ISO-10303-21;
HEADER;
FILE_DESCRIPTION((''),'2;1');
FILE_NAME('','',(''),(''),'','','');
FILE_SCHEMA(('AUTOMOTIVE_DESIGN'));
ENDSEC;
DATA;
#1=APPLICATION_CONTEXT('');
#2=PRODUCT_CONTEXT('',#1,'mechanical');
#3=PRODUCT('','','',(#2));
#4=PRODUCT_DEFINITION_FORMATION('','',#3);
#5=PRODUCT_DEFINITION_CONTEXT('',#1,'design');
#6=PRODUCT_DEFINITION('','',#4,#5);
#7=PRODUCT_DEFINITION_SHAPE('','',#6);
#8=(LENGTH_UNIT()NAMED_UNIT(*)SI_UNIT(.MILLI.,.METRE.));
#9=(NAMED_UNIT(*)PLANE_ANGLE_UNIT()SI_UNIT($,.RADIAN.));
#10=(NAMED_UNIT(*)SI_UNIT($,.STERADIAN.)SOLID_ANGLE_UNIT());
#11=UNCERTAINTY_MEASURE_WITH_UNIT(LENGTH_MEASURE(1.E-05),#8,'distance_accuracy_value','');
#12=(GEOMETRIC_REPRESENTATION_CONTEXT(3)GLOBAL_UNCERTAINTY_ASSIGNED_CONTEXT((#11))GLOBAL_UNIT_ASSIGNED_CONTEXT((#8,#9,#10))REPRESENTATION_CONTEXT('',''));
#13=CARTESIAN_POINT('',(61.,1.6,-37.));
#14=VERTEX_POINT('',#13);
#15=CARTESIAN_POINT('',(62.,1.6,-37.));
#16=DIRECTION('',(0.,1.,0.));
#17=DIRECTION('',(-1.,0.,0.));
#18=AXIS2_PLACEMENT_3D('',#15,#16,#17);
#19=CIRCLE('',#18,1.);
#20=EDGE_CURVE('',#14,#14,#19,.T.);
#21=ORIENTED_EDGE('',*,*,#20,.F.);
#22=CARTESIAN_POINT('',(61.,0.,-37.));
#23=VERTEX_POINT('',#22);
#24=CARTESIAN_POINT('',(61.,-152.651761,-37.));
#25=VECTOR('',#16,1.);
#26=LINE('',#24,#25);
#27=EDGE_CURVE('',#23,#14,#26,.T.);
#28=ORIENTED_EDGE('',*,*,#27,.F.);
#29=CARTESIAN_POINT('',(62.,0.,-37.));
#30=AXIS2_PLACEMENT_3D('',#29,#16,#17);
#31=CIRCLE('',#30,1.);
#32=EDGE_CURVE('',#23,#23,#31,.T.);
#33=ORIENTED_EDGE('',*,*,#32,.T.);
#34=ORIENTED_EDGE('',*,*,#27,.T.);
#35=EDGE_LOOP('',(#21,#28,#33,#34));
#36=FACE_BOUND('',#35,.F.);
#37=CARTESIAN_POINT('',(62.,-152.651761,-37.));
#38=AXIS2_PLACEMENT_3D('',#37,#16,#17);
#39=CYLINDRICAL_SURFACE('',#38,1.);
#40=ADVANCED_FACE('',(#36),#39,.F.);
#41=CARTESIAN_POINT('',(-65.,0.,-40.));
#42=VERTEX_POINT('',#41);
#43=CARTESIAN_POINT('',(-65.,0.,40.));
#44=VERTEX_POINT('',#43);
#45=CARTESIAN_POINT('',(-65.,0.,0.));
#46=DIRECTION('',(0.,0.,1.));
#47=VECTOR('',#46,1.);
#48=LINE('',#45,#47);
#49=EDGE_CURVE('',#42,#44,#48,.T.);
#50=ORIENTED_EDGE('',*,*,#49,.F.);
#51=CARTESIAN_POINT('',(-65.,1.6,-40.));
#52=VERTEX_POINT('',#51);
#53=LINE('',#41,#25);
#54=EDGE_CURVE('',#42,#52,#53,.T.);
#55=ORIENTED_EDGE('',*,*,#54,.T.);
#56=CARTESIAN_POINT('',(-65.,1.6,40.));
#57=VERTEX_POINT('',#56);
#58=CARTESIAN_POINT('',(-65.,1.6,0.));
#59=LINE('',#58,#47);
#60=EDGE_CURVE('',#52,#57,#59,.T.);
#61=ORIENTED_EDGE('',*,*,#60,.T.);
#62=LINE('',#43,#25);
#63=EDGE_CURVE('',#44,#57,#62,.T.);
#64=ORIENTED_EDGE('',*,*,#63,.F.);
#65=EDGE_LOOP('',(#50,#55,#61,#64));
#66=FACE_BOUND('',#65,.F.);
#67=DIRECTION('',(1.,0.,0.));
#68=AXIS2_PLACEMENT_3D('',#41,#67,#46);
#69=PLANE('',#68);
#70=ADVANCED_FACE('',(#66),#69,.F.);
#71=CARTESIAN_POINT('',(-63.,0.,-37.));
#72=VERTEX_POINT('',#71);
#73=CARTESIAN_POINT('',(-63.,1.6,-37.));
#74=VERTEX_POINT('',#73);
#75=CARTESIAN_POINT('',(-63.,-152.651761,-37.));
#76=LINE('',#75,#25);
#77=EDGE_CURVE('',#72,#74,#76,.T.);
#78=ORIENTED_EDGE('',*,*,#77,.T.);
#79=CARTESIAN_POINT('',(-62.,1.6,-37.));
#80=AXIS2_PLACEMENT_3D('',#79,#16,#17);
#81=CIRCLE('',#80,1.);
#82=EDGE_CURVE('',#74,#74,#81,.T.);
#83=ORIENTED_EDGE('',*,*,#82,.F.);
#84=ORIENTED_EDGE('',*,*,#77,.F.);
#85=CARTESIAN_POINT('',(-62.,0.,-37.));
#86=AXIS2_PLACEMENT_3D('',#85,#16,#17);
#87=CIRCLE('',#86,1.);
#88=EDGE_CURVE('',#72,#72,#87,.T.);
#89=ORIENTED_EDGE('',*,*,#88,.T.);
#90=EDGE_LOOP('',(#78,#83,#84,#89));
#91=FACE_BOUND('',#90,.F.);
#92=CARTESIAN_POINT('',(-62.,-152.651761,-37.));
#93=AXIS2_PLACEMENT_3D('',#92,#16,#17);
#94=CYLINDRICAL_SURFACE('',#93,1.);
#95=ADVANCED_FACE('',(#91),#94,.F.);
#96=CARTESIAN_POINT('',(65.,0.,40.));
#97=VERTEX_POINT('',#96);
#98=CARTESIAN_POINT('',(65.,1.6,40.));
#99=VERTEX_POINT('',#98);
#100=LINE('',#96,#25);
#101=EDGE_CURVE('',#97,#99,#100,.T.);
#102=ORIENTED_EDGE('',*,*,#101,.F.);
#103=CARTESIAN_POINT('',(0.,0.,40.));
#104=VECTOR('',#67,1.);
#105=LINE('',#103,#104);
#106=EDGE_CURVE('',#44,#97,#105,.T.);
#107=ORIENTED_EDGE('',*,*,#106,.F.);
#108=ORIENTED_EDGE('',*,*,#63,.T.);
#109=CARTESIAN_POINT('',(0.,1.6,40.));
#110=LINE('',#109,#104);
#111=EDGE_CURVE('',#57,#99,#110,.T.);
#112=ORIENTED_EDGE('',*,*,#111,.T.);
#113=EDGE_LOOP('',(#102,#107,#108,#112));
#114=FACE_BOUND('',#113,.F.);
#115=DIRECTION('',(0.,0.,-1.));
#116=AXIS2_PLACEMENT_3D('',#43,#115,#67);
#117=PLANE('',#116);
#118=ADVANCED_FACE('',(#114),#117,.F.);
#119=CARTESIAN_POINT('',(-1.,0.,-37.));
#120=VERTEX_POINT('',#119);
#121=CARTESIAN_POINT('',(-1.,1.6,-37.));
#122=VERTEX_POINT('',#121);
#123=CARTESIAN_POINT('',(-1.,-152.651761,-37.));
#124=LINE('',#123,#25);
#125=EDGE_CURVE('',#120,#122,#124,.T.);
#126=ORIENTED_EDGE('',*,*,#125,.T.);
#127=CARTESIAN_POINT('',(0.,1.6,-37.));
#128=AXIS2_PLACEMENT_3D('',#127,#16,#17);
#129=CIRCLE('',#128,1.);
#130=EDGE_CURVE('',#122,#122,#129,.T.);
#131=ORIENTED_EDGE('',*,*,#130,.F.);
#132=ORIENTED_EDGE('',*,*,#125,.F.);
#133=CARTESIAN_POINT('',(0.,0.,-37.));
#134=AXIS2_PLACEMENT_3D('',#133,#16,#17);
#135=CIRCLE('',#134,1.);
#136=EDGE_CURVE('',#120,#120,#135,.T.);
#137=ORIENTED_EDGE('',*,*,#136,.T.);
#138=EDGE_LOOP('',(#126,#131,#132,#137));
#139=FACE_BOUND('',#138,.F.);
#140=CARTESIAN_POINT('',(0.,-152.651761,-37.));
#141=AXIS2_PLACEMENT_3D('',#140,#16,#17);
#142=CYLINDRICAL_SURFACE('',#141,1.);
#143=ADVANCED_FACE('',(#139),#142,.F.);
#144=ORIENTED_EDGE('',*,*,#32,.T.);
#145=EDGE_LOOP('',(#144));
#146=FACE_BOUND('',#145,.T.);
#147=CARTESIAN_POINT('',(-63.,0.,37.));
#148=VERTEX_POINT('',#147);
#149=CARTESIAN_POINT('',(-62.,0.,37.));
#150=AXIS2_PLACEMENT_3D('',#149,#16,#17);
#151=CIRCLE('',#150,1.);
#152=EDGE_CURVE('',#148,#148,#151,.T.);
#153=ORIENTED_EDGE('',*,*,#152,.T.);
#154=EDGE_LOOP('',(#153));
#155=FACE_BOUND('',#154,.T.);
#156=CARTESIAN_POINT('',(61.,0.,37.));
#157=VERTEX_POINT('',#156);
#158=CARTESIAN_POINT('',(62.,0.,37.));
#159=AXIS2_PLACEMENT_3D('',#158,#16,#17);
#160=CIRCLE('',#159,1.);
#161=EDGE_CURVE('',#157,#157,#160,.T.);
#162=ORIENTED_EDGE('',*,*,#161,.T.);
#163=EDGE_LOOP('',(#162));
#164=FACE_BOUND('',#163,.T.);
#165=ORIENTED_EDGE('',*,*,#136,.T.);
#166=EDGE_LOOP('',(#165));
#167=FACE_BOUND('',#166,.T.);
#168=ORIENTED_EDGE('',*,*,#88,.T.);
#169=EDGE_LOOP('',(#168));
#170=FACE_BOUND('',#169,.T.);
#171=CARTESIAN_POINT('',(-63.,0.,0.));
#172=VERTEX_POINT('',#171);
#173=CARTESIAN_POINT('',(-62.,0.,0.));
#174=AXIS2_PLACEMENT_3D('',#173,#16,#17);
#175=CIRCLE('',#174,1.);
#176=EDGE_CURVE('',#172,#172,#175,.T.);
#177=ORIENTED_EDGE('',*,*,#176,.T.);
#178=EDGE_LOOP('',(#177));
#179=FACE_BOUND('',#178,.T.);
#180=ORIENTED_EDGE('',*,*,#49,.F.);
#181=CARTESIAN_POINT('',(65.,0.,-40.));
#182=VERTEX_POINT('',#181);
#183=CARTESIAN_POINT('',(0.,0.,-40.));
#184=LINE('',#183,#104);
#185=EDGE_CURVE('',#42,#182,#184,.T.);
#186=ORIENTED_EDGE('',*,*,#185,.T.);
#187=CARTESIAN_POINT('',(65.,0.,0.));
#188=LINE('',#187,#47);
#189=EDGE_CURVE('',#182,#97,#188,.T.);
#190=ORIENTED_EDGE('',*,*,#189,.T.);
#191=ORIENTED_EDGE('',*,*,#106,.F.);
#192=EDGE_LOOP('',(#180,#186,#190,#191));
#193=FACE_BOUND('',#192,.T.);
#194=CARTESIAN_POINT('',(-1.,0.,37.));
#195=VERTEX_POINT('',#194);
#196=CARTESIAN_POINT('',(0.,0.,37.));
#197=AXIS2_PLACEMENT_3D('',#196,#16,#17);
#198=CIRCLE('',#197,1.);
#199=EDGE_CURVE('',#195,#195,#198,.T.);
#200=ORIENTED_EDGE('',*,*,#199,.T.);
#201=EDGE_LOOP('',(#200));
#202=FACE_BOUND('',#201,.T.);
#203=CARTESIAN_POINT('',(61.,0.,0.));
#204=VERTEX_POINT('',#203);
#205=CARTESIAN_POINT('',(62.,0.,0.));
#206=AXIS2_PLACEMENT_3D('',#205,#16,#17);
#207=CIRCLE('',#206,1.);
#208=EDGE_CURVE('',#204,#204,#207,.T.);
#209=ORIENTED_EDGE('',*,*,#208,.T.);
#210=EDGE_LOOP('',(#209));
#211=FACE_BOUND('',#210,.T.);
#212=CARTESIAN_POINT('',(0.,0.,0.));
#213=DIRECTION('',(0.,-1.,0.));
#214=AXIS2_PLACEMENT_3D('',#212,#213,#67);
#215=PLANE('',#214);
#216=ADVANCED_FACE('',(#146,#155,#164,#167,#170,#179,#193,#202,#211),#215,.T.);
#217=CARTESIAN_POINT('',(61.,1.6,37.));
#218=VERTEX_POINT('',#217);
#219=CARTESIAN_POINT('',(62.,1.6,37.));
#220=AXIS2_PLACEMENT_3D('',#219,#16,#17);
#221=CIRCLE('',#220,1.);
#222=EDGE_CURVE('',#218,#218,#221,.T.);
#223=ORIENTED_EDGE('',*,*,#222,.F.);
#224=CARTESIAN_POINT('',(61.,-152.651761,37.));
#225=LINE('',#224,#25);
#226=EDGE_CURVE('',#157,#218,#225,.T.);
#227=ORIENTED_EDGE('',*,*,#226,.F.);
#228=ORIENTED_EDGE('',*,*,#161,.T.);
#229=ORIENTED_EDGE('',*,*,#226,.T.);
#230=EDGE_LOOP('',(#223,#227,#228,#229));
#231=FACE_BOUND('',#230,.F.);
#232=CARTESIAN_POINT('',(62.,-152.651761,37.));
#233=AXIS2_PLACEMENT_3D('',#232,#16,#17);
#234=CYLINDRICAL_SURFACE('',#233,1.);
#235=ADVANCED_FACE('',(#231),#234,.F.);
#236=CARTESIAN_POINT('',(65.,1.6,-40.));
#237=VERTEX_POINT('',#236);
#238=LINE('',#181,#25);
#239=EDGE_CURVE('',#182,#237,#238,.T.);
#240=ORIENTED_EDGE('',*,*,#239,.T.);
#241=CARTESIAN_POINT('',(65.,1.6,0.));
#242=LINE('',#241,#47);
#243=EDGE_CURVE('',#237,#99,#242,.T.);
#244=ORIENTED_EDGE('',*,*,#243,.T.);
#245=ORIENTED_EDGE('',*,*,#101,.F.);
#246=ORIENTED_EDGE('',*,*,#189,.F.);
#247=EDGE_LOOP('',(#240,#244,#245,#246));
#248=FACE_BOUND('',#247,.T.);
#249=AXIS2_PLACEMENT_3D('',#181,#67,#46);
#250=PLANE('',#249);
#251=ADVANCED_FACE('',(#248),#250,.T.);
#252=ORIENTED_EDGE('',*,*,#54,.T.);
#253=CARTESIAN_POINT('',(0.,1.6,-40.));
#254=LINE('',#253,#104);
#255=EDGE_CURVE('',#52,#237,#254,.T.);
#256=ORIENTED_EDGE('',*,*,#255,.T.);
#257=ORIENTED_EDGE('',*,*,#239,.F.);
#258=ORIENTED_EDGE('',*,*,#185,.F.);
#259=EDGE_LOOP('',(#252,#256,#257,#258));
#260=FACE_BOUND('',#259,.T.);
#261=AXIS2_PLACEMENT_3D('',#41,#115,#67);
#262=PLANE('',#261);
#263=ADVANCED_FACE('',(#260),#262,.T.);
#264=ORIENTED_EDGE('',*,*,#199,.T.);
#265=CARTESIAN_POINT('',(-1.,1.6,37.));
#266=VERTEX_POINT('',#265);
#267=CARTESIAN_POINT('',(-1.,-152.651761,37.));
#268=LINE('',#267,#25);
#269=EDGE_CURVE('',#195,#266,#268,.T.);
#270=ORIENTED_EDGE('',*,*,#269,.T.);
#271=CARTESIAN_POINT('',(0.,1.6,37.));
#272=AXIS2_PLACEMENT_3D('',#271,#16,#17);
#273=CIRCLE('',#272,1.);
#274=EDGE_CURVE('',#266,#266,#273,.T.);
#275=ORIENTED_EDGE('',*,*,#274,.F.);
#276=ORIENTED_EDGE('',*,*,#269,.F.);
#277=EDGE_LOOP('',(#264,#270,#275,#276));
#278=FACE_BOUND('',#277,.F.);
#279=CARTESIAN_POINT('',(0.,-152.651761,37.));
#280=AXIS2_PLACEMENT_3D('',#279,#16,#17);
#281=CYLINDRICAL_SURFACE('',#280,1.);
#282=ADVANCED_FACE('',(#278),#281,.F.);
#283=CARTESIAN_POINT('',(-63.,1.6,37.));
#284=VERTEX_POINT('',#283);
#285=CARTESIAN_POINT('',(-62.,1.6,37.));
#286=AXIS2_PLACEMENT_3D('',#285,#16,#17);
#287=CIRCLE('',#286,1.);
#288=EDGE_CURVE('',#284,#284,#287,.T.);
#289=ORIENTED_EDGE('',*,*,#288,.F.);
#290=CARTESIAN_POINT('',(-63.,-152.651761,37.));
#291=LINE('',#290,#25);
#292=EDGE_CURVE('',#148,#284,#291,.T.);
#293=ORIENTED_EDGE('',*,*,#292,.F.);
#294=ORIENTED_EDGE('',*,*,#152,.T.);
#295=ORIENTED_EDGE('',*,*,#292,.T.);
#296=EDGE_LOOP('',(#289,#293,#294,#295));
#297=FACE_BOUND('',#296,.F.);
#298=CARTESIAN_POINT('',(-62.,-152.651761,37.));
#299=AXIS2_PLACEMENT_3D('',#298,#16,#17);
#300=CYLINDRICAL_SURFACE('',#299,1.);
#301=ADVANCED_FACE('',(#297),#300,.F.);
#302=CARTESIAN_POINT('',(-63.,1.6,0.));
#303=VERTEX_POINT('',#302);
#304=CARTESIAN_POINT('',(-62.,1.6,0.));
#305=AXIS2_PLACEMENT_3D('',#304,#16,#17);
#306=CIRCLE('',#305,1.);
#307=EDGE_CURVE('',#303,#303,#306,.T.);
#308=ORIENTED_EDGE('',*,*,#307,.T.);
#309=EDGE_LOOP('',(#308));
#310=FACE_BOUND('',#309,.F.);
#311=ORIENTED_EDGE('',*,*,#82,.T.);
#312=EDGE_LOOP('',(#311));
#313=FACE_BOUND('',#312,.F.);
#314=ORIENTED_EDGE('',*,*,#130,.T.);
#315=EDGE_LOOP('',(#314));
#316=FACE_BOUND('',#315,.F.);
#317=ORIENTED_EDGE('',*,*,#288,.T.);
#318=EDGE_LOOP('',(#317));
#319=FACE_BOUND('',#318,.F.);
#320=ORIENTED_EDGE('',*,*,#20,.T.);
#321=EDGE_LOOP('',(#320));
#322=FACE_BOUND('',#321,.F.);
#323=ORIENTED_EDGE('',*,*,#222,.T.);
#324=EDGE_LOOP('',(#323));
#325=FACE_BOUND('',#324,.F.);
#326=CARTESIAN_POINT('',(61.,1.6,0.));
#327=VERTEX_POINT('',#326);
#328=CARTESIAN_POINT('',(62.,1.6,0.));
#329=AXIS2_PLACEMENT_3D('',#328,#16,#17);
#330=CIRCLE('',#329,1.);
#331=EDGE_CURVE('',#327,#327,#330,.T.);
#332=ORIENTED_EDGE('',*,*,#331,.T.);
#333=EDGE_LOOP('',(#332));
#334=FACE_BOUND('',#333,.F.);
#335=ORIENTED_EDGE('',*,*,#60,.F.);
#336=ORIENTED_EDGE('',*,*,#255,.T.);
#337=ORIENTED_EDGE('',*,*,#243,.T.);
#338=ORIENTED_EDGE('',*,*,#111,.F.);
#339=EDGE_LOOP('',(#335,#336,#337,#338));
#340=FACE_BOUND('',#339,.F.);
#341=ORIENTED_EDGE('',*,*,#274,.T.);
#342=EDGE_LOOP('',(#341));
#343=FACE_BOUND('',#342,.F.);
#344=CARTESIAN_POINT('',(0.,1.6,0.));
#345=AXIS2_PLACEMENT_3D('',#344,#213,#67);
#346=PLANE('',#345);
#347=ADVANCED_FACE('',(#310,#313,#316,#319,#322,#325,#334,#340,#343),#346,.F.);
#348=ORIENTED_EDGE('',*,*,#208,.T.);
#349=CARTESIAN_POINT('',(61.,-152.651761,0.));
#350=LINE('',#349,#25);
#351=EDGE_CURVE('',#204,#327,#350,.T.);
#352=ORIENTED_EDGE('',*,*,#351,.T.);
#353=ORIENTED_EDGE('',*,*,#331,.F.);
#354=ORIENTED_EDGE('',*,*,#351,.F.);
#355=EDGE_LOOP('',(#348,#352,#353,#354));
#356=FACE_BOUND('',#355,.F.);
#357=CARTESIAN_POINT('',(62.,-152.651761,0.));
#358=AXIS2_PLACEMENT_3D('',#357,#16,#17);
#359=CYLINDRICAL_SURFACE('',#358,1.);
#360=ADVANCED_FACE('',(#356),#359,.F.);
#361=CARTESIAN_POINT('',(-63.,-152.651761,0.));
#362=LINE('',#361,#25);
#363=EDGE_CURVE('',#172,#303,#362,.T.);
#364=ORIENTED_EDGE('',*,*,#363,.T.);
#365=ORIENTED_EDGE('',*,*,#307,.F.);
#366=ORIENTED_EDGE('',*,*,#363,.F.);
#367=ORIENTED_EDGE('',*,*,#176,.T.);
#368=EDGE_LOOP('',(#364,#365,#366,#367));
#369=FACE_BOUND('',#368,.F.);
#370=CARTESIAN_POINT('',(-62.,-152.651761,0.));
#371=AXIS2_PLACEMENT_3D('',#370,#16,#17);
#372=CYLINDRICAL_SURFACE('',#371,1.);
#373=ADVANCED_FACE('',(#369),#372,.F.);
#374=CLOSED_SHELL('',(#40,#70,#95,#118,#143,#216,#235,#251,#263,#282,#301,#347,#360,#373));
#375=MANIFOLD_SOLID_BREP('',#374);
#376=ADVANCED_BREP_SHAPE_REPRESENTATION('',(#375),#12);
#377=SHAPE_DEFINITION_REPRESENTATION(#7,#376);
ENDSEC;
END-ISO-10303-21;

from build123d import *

# Parameters (mm, degrees)
F0_W     = 130
F0_H     = 80
F1_DEPTH = 1.6
F2_D     = 2


with BuildPart() as f1:
    # F0 (on Front) → F1 (new body)
    with BuildSketch(Plane.XZ):
        Rectangle(F0_W, F0_H)
    extrude(amount=-F1_DEPTH)

    # F2 (through all)
    with Locations(Plane.XZ):
        with Locations((-62, 37), (0, 37), (62, 37), (62, 0), (62, -37), (0, -37), (-62, -37), (-62, 0)):
            Hole(F2_D / 2)


solid = f1.part
